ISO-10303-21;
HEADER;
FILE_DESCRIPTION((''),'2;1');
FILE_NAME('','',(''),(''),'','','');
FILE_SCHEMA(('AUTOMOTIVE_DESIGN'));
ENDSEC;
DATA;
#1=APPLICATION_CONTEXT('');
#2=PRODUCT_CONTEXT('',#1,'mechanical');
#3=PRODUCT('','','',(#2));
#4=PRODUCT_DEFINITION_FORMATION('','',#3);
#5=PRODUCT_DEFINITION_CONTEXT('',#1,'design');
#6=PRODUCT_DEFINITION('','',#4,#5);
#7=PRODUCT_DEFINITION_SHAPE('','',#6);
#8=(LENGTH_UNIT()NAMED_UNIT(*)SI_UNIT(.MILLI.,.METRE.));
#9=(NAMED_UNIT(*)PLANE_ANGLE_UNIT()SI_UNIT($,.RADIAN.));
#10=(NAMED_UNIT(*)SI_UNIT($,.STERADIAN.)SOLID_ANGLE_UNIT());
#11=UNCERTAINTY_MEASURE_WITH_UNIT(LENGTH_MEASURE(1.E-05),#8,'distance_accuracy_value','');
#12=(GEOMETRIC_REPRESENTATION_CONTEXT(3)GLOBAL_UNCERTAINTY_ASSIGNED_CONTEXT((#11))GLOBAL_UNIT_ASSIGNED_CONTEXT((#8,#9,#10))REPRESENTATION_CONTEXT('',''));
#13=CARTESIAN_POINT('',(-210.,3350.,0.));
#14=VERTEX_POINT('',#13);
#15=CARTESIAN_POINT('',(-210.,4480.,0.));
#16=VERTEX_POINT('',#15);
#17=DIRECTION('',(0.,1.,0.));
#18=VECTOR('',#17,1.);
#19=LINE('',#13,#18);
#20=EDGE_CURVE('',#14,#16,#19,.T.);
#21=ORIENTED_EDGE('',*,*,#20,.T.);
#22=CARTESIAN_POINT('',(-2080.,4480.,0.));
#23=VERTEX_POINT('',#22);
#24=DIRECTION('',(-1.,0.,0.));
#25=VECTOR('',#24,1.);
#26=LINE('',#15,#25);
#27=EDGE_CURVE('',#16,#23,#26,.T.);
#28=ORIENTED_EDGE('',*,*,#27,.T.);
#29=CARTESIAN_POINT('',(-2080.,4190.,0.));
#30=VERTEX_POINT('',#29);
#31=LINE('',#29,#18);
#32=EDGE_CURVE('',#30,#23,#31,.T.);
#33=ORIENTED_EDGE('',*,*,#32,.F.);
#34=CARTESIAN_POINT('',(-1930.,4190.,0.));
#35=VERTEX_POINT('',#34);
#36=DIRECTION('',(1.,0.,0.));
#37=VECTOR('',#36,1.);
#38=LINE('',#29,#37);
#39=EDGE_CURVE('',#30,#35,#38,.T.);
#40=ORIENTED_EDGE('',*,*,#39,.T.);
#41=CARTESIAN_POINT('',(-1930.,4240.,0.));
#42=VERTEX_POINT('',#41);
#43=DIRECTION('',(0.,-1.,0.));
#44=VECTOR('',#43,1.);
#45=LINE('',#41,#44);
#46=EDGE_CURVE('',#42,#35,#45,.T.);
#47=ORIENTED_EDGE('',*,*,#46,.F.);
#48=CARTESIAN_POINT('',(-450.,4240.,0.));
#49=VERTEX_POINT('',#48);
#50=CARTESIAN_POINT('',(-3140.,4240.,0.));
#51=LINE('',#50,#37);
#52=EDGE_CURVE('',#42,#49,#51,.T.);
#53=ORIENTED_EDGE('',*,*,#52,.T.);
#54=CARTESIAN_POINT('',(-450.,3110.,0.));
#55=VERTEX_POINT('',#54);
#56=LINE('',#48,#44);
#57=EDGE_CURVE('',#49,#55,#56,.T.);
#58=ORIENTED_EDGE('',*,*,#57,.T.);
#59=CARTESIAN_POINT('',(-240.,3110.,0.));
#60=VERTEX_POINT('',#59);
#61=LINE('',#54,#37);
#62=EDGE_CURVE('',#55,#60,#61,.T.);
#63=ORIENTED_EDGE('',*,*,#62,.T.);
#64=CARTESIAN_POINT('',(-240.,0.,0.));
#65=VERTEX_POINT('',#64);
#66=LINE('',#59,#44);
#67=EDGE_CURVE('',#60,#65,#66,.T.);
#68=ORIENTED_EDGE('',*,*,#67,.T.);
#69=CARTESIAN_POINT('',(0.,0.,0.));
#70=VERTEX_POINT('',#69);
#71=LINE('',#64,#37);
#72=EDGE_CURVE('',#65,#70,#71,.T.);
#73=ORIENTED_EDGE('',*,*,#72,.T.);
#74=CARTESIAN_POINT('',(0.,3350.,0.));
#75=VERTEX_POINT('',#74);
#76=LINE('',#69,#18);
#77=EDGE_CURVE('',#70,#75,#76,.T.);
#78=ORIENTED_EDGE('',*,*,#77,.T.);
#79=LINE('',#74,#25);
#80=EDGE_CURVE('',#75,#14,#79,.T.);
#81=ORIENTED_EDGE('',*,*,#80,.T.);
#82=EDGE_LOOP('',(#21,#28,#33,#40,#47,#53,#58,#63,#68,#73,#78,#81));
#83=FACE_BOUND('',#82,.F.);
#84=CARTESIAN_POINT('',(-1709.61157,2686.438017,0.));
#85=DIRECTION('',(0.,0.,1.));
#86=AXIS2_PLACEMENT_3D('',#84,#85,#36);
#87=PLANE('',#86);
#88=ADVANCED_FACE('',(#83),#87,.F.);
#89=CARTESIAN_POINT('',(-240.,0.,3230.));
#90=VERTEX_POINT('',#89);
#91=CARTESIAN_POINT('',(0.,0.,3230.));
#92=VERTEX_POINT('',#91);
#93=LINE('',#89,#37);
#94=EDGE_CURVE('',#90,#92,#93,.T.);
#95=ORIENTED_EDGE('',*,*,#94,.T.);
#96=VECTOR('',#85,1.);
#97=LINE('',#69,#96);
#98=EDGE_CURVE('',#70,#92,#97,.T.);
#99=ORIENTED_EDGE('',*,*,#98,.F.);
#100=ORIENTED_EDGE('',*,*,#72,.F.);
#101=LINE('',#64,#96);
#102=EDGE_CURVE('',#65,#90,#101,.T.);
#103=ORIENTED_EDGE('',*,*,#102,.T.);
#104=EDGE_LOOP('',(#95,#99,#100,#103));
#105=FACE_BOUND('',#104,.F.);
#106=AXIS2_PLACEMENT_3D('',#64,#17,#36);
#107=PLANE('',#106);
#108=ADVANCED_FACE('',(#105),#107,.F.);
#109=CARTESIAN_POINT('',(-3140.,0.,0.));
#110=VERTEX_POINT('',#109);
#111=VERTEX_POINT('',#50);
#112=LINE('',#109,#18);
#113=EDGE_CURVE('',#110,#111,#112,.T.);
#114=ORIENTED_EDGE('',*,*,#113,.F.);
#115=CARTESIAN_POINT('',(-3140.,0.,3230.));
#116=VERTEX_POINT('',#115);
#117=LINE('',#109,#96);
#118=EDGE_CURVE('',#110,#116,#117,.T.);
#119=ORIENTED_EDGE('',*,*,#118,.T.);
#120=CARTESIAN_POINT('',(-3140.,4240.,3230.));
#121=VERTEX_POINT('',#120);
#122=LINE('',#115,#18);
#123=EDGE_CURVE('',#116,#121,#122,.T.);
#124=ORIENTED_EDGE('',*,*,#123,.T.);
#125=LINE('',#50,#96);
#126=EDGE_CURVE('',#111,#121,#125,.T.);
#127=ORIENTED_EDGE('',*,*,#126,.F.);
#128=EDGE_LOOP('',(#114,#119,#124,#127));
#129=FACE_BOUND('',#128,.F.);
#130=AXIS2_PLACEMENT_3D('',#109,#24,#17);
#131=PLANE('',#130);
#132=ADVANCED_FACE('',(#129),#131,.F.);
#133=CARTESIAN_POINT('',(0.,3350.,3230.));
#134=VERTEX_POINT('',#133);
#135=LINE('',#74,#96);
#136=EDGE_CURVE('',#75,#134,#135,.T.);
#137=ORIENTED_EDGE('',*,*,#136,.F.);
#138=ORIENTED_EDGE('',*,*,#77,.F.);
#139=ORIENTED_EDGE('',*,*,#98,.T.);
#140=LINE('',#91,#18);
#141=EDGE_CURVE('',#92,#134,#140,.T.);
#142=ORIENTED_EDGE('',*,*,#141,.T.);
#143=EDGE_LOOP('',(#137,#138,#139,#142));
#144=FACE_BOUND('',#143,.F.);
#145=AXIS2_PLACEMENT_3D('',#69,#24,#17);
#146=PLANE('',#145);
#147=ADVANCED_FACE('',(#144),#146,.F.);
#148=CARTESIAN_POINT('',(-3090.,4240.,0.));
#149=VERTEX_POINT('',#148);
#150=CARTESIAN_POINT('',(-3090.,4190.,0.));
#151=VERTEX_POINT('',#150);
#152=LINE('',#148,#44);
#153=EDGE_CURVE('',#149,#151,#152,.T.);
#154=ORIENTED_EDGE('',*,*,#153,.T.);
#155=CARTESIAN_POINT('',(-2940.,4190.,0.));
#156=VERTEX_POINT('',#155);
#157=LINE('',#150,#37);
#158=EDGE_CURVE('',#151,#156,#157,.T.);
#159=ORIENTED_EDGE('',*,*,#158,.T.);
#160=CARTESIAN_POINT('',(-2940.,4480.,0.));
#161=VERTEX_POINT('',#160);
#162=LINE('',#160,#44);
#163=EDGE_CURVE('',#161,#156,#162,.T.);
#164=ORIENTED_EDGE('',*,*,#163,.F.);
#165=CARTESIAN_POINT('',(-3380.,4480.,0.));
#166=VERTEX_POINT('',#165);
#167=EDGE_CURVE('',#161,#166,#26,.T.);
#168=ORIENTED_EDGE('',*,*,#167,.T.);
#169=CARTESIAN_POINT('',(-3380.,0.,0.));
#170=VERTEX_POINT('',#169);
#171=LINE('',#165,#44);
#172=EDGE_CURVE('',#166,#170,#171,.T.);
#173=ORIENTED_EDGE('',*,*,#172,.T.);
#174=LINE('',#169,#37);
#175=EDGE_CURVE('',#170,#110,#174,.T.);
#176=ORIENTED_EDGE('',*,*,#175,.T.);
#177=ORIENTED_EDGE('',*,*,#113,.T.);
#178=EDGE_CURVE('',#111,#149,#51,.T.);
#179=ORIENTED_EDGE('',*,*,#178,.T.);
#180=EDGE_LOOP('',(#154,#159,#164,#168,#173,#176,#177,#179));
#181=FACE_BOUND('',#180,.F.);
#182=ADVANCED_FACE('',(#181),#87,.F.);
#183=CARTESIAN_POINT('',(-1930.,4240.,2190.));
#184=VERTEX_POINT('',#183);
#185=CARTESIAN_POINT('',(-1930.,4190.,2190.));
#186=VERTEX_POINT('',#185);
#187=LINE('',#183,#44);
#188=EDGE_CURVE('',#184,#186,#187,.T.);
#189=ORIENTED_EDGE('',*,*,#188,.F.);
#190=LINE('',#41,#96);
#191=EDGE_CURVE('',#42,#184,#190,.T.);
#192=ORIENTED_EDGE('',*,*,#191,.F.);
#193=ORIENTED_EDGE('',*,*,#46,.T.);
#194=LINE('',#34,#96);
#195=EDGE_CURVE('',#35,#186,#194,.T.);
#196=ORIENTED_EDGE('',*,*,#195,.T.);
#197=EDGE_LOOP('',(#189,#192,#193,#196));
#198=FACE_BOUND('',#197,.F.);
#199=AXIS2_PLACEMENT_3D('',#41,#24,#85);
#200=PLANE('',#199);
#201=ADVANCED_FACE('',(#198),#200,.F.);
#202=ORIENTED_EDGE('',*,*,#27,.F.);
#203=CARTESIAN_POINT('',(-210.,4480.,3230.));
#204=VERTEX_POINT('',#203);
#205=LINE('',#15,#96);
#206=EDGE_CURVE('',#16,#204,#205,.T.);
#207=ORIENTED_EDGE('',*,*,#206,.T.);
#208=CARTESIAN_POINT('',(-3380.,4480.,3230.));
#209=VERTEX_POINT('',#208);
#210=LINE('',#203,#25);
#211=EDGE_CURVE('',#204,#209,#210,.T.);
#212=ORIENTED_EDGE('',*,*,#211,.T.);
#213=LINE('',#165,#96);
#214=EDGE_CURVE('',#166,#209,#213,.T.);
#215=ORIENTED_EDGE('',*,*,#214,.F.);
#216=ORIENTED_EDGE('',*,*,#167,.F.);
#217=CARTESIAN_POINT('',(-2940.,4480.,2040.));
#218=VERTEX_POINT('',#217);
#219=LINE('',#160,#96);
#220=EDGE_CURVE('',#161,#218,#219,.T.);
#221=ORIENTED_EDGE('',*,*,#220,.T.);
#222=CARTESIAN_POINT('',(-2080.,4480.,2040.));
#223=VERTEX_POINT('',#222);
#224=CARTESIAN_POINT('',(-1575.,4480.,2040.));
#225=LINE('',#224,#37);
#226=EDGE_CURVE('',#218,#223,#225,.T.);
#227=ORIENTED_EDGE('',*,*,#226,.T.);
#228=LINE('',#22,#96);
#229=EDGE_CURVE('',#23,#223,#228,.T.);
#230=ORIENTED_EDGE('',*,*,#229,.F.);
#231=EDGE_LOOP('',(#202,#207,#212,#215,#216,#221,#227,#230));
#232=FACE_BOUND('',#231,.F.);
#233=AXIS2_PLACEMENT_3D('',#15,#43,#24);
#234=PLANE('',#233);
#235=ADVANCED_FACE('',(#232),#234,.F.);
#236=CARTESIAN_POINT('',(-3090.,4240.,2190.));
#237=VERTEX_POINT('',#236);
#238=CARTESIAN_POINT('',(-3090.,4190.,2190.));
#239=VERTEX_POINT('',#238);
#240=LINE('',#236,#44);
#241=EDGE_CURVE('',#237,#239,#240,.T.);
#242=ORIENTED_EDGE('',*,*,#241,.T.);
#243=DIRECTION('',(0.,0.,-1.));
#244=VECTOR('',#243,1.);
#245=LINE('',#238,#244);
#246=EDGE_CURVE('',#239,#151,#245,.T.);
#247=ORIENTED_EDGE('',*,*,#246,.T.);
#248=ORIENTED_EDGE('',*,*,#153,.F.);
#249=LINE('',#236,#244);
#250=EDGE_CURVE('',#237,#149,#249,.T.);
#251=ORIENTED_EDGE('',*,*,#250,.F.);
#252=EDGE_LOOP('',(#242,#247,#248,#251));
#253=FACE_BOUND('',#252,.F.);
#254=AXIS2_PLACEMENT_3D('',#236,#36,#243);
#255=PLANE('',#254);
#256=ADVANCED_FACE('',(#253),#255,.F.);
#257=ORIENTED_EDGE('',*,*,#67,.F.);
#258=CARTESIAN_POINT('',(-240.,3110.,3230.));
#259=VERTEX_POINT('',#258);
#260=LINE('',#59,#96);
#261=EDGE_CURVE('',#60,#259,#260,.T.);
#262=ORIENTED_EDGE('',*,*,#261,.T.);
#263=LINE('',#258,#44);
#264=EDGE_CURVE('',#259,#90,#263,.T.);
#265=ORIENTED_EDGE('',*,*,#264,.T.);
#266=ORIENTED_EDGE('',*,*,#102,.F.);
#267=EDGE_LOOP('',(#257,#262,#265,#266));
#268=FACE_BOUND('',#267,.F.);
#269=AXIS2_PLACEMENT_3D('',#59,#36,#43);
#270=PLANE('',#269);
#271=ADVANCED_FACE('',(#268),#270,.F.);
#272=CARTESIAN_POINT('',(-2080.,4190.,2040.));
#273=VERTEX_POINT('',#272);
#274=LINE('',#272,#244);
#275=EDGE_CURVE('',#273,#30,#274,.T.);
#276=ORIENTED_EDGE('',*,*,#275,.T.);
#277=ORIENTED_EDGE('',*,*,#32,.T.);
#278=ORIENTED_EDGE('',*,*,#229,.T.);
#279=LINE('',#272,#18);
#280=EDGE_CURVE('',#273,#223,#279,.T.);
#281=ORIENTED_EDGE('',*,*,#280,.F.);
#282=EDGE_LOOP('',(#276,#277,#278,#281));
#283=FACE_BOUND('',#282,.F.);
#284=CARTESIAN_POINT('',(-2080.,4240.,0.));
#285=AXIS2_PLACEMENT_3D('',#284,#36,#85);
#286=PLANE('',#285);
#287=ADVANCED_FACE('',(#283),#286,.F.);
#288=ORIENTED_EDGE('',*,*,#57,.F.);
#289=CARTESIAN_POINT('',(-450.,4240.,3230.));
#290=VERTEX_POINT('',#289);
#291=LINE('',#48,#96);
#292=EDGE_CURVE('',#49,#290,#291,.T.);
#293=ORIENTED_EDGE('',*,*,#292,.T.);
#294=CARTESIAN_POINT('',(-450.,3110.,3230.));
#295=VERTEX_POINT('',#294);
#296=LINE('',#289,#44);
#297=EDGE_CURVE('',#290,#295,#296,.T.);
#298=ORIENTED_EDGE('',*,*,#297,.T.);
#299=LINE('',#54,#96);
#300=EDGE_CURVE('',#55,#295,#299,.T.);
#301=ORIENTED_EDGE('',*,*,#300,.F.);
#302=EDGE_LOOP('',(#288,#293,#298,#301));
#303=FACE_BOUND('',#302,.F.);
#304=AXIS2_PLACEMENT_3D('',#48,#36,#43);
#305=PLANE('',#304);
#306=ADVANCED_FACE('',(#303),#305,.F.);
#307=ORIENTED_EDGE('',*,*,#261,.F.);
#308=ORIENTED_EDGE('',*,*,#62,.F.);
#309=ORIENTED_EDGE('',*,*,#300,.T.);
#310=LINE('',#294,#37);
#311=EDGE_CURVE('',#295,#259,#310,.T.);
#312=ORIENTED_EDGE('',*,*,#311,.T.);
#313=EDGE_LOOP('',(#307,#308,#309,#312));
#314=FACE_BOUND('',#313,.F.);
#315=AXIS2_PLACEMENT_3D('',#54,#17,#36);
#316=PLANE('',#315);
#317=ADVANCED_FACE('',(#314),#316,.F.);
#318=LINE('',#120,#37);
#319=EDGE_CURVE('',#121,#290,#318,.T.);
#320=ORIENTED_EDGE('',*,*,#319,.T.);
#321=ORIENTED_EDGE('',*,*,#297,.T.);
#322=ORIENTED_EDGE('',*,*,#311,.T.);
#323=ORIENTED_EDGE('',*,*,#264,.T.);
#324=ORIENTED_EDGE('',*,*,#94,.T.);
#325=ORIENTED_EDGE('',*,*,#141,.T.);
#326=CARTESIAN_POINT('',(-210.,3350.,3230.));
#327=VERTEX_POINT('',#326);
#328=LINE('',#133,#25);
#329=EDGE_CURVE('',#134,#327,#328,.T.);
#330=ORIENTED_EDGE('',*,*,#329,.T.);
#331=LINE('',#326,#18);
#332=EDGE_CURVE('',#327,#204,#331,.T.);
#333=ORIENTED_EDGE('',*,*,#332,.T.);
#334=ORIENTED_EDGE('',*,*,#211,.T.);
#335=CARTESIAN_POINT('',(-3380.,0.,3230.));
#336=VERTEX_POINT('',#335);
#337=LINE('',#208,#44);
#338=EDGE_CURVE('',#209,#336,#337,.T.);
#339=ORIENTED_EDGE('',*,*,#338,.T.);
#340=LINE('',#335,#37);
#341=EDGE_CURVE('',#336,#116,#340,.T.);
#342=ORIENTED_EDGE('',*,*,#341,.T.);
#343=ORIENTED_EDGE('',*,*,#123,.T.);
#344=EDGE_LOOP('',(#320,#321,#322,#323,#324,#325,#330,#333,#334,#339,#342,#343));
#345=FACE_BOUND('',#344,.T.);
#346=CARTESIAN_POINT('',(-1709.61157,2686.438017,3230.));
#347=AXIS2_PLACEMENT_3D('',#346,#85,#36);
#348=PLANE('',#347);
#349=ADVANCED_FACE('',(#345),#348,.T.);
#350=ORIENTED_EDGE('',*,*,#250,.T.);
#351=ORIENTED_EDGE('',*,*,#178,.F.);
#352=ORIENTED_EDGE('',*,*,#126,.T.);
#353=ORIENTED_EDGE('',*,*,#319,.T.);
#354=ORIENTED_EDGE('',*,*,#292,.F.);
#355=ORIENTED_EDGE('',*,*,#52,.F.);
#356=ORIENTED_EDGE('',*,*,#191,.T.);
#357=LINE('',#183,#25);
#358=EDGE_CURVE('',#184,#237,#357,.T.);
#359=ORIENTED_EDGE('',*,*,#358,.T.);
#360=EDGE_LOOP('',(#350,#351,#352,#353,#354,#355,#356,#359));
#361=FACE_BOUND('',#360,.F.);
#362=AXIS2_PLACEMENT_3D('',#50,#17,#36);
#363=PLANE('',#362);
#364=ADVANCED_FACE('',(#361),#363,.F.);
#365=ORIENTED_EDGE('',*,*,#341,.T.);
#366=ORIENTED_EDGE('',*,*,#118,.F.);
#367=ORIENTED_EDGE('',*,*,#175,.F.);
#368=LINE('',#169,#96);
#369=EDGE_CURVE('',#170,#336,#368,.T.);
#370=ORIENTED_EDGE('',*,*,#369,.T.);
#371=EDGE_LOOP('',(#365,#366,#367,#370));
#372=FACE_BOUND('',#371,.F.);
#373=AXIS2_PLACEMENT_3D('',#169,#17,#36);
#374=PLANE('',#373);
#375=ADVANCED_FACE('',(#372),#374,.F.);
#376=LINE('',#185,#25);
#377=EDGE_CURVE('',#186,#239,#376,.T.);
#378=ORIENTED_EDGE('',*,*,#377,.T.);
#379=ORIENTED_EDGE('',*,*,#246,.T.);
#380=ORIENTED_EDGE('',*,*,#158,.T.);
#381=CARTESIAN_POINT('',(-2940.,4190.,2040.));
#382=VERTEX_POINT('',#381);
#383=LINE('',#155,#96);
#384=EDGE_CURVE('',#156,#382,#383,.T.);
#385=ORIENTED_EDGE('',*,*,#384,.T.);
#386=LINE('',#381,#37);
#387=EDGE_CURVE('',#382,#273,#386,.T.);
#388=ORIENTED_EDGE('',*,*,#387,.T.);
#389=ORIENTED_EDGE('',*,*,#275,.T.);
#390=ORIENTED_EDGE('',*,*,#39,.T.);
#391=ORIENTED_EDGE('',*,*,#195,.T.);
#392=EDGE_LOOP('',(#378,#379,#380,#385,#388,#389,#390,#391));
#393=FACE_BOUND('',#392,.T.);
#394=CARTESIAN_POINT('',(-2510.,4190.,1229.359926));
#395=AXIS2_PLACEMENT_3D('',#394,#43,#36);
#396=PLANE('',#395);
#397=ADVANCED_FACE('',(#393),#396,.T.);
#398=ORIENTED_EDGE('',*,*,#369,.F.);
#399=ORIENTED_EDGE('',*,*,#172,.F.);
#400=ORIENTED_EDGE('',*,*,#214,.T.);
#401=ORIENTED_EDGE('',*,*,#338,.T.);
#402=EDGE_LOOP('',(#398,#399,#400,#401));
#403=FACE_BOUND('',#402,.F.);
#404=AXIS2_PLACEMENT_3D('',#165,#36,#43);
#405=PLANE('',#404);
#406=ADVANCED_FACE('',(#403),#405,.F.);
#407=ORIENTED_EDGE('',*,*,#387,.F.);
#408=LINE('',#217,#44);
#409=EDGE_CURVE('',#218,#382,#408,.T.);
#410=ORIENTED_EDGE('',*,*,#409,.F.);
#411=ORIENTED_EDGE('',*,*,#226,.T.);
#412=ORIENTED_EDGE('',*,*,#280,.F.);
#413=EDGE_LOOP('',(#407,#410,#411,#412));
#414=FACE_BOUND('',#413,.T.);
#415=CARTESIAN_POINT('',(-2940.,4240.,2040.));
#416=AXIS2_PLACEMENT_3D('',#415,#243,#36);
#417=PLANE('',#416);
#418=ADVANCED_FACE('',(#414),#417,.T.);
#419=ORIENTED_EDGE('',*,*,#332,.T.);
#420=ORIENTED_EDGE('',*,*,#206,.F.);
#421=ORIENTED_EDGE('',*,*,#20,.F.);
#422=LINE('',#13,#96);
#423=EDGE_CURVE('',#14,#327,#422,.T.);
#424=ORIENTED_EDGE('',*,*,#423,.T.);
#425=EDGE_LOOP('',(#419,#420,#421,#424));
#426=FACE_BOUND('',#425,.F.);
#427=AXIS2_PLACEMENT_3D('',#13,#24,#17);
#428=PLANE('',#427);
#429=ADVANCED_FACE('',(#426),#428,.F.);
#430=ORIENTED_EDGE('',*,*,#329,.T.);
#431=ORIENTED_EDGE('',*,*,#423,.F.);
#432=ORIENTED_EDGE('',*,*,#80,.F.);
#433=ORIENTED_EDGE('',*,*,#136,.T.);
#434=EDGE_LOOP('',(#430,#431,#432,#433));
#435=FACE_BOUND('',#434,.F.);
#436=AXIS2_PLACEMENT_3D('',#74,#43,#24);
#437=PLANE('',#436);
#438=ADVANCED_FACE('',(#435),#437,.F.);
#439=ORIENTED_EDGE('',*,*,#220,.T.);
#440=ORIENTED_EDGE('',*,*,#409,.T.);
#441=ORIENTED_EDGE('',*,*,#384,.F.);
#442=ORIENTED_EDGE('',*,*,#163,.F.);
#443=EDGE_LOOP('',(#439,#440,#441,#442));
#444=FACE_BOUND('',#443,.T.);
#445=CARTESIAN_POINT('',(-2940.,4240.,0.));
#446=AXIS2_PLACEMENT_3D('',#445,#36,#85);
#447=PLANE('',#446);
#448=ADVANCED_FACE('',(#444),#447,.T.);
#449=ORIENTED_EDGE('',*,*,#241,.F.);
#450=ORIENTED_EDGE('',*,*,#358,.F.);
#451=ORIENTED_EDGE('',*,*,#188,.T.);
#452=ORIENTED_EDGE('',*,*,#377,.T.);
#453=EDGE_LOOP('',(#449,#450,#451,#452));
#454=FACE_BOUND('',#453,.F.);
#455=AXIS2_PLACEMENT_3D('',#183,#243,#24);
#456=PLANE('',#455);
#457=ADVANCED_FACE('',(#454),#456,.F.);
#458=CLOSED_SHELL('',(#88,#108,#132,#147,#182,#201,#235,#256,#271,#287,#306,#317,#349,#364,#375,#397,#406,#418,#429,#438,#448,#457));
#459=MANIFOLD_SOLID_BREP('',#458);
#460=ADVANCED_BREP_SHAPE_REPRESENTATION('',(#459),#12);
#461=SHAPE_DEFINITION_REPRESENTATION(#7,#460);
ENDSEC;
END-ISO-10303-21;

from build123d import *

# Parameters (mm, degrees)
F1_DEPTH = 3230
F3_DEPTH = 50
F4_W     = 860
F4_H     = 2040
F5_DEPTH = 300


with BuildPart() as f1:
    # F0 (on Top) → F1 (new body)
    with BuildSketch(Plane.XY):
        Polygon((-3140, 240), (-3140, 4240), (-450, 4240), (-450, 3110), (-240, 3110), (-240, 240), (-240, 0), (0, 0), (0, 3350), (-210, 3350), (-210, 4480), (-3380, 4480), (-3380, 0), (-3140, 0), align=None)
    extrude(amount=F1_DEPTH)

    # F2 (on face) → F3 (join)
    with BuildSketch(Plane.XZ.offset(-4240)):
        Polygon((-1930, 2190), (-3090, 2190), (-3090, 0), (-2940, 0), (-2940, 2040), (-2080, 2040), (-2080, 0), (-1930, 0), align=None)
    extrude(amount=F3_DEPTH)

    # F4 (on face) → F5 (cut)
    with BuildSketch(Plane.XZ.offset(-4240)):
        with Locations((-2510, 1020)):
            Rectangle(F4_W, F4_H)
    extrude(amount=-F5_DEPTH, mode=Mode.SUBTRACT)


solid = f1.part
